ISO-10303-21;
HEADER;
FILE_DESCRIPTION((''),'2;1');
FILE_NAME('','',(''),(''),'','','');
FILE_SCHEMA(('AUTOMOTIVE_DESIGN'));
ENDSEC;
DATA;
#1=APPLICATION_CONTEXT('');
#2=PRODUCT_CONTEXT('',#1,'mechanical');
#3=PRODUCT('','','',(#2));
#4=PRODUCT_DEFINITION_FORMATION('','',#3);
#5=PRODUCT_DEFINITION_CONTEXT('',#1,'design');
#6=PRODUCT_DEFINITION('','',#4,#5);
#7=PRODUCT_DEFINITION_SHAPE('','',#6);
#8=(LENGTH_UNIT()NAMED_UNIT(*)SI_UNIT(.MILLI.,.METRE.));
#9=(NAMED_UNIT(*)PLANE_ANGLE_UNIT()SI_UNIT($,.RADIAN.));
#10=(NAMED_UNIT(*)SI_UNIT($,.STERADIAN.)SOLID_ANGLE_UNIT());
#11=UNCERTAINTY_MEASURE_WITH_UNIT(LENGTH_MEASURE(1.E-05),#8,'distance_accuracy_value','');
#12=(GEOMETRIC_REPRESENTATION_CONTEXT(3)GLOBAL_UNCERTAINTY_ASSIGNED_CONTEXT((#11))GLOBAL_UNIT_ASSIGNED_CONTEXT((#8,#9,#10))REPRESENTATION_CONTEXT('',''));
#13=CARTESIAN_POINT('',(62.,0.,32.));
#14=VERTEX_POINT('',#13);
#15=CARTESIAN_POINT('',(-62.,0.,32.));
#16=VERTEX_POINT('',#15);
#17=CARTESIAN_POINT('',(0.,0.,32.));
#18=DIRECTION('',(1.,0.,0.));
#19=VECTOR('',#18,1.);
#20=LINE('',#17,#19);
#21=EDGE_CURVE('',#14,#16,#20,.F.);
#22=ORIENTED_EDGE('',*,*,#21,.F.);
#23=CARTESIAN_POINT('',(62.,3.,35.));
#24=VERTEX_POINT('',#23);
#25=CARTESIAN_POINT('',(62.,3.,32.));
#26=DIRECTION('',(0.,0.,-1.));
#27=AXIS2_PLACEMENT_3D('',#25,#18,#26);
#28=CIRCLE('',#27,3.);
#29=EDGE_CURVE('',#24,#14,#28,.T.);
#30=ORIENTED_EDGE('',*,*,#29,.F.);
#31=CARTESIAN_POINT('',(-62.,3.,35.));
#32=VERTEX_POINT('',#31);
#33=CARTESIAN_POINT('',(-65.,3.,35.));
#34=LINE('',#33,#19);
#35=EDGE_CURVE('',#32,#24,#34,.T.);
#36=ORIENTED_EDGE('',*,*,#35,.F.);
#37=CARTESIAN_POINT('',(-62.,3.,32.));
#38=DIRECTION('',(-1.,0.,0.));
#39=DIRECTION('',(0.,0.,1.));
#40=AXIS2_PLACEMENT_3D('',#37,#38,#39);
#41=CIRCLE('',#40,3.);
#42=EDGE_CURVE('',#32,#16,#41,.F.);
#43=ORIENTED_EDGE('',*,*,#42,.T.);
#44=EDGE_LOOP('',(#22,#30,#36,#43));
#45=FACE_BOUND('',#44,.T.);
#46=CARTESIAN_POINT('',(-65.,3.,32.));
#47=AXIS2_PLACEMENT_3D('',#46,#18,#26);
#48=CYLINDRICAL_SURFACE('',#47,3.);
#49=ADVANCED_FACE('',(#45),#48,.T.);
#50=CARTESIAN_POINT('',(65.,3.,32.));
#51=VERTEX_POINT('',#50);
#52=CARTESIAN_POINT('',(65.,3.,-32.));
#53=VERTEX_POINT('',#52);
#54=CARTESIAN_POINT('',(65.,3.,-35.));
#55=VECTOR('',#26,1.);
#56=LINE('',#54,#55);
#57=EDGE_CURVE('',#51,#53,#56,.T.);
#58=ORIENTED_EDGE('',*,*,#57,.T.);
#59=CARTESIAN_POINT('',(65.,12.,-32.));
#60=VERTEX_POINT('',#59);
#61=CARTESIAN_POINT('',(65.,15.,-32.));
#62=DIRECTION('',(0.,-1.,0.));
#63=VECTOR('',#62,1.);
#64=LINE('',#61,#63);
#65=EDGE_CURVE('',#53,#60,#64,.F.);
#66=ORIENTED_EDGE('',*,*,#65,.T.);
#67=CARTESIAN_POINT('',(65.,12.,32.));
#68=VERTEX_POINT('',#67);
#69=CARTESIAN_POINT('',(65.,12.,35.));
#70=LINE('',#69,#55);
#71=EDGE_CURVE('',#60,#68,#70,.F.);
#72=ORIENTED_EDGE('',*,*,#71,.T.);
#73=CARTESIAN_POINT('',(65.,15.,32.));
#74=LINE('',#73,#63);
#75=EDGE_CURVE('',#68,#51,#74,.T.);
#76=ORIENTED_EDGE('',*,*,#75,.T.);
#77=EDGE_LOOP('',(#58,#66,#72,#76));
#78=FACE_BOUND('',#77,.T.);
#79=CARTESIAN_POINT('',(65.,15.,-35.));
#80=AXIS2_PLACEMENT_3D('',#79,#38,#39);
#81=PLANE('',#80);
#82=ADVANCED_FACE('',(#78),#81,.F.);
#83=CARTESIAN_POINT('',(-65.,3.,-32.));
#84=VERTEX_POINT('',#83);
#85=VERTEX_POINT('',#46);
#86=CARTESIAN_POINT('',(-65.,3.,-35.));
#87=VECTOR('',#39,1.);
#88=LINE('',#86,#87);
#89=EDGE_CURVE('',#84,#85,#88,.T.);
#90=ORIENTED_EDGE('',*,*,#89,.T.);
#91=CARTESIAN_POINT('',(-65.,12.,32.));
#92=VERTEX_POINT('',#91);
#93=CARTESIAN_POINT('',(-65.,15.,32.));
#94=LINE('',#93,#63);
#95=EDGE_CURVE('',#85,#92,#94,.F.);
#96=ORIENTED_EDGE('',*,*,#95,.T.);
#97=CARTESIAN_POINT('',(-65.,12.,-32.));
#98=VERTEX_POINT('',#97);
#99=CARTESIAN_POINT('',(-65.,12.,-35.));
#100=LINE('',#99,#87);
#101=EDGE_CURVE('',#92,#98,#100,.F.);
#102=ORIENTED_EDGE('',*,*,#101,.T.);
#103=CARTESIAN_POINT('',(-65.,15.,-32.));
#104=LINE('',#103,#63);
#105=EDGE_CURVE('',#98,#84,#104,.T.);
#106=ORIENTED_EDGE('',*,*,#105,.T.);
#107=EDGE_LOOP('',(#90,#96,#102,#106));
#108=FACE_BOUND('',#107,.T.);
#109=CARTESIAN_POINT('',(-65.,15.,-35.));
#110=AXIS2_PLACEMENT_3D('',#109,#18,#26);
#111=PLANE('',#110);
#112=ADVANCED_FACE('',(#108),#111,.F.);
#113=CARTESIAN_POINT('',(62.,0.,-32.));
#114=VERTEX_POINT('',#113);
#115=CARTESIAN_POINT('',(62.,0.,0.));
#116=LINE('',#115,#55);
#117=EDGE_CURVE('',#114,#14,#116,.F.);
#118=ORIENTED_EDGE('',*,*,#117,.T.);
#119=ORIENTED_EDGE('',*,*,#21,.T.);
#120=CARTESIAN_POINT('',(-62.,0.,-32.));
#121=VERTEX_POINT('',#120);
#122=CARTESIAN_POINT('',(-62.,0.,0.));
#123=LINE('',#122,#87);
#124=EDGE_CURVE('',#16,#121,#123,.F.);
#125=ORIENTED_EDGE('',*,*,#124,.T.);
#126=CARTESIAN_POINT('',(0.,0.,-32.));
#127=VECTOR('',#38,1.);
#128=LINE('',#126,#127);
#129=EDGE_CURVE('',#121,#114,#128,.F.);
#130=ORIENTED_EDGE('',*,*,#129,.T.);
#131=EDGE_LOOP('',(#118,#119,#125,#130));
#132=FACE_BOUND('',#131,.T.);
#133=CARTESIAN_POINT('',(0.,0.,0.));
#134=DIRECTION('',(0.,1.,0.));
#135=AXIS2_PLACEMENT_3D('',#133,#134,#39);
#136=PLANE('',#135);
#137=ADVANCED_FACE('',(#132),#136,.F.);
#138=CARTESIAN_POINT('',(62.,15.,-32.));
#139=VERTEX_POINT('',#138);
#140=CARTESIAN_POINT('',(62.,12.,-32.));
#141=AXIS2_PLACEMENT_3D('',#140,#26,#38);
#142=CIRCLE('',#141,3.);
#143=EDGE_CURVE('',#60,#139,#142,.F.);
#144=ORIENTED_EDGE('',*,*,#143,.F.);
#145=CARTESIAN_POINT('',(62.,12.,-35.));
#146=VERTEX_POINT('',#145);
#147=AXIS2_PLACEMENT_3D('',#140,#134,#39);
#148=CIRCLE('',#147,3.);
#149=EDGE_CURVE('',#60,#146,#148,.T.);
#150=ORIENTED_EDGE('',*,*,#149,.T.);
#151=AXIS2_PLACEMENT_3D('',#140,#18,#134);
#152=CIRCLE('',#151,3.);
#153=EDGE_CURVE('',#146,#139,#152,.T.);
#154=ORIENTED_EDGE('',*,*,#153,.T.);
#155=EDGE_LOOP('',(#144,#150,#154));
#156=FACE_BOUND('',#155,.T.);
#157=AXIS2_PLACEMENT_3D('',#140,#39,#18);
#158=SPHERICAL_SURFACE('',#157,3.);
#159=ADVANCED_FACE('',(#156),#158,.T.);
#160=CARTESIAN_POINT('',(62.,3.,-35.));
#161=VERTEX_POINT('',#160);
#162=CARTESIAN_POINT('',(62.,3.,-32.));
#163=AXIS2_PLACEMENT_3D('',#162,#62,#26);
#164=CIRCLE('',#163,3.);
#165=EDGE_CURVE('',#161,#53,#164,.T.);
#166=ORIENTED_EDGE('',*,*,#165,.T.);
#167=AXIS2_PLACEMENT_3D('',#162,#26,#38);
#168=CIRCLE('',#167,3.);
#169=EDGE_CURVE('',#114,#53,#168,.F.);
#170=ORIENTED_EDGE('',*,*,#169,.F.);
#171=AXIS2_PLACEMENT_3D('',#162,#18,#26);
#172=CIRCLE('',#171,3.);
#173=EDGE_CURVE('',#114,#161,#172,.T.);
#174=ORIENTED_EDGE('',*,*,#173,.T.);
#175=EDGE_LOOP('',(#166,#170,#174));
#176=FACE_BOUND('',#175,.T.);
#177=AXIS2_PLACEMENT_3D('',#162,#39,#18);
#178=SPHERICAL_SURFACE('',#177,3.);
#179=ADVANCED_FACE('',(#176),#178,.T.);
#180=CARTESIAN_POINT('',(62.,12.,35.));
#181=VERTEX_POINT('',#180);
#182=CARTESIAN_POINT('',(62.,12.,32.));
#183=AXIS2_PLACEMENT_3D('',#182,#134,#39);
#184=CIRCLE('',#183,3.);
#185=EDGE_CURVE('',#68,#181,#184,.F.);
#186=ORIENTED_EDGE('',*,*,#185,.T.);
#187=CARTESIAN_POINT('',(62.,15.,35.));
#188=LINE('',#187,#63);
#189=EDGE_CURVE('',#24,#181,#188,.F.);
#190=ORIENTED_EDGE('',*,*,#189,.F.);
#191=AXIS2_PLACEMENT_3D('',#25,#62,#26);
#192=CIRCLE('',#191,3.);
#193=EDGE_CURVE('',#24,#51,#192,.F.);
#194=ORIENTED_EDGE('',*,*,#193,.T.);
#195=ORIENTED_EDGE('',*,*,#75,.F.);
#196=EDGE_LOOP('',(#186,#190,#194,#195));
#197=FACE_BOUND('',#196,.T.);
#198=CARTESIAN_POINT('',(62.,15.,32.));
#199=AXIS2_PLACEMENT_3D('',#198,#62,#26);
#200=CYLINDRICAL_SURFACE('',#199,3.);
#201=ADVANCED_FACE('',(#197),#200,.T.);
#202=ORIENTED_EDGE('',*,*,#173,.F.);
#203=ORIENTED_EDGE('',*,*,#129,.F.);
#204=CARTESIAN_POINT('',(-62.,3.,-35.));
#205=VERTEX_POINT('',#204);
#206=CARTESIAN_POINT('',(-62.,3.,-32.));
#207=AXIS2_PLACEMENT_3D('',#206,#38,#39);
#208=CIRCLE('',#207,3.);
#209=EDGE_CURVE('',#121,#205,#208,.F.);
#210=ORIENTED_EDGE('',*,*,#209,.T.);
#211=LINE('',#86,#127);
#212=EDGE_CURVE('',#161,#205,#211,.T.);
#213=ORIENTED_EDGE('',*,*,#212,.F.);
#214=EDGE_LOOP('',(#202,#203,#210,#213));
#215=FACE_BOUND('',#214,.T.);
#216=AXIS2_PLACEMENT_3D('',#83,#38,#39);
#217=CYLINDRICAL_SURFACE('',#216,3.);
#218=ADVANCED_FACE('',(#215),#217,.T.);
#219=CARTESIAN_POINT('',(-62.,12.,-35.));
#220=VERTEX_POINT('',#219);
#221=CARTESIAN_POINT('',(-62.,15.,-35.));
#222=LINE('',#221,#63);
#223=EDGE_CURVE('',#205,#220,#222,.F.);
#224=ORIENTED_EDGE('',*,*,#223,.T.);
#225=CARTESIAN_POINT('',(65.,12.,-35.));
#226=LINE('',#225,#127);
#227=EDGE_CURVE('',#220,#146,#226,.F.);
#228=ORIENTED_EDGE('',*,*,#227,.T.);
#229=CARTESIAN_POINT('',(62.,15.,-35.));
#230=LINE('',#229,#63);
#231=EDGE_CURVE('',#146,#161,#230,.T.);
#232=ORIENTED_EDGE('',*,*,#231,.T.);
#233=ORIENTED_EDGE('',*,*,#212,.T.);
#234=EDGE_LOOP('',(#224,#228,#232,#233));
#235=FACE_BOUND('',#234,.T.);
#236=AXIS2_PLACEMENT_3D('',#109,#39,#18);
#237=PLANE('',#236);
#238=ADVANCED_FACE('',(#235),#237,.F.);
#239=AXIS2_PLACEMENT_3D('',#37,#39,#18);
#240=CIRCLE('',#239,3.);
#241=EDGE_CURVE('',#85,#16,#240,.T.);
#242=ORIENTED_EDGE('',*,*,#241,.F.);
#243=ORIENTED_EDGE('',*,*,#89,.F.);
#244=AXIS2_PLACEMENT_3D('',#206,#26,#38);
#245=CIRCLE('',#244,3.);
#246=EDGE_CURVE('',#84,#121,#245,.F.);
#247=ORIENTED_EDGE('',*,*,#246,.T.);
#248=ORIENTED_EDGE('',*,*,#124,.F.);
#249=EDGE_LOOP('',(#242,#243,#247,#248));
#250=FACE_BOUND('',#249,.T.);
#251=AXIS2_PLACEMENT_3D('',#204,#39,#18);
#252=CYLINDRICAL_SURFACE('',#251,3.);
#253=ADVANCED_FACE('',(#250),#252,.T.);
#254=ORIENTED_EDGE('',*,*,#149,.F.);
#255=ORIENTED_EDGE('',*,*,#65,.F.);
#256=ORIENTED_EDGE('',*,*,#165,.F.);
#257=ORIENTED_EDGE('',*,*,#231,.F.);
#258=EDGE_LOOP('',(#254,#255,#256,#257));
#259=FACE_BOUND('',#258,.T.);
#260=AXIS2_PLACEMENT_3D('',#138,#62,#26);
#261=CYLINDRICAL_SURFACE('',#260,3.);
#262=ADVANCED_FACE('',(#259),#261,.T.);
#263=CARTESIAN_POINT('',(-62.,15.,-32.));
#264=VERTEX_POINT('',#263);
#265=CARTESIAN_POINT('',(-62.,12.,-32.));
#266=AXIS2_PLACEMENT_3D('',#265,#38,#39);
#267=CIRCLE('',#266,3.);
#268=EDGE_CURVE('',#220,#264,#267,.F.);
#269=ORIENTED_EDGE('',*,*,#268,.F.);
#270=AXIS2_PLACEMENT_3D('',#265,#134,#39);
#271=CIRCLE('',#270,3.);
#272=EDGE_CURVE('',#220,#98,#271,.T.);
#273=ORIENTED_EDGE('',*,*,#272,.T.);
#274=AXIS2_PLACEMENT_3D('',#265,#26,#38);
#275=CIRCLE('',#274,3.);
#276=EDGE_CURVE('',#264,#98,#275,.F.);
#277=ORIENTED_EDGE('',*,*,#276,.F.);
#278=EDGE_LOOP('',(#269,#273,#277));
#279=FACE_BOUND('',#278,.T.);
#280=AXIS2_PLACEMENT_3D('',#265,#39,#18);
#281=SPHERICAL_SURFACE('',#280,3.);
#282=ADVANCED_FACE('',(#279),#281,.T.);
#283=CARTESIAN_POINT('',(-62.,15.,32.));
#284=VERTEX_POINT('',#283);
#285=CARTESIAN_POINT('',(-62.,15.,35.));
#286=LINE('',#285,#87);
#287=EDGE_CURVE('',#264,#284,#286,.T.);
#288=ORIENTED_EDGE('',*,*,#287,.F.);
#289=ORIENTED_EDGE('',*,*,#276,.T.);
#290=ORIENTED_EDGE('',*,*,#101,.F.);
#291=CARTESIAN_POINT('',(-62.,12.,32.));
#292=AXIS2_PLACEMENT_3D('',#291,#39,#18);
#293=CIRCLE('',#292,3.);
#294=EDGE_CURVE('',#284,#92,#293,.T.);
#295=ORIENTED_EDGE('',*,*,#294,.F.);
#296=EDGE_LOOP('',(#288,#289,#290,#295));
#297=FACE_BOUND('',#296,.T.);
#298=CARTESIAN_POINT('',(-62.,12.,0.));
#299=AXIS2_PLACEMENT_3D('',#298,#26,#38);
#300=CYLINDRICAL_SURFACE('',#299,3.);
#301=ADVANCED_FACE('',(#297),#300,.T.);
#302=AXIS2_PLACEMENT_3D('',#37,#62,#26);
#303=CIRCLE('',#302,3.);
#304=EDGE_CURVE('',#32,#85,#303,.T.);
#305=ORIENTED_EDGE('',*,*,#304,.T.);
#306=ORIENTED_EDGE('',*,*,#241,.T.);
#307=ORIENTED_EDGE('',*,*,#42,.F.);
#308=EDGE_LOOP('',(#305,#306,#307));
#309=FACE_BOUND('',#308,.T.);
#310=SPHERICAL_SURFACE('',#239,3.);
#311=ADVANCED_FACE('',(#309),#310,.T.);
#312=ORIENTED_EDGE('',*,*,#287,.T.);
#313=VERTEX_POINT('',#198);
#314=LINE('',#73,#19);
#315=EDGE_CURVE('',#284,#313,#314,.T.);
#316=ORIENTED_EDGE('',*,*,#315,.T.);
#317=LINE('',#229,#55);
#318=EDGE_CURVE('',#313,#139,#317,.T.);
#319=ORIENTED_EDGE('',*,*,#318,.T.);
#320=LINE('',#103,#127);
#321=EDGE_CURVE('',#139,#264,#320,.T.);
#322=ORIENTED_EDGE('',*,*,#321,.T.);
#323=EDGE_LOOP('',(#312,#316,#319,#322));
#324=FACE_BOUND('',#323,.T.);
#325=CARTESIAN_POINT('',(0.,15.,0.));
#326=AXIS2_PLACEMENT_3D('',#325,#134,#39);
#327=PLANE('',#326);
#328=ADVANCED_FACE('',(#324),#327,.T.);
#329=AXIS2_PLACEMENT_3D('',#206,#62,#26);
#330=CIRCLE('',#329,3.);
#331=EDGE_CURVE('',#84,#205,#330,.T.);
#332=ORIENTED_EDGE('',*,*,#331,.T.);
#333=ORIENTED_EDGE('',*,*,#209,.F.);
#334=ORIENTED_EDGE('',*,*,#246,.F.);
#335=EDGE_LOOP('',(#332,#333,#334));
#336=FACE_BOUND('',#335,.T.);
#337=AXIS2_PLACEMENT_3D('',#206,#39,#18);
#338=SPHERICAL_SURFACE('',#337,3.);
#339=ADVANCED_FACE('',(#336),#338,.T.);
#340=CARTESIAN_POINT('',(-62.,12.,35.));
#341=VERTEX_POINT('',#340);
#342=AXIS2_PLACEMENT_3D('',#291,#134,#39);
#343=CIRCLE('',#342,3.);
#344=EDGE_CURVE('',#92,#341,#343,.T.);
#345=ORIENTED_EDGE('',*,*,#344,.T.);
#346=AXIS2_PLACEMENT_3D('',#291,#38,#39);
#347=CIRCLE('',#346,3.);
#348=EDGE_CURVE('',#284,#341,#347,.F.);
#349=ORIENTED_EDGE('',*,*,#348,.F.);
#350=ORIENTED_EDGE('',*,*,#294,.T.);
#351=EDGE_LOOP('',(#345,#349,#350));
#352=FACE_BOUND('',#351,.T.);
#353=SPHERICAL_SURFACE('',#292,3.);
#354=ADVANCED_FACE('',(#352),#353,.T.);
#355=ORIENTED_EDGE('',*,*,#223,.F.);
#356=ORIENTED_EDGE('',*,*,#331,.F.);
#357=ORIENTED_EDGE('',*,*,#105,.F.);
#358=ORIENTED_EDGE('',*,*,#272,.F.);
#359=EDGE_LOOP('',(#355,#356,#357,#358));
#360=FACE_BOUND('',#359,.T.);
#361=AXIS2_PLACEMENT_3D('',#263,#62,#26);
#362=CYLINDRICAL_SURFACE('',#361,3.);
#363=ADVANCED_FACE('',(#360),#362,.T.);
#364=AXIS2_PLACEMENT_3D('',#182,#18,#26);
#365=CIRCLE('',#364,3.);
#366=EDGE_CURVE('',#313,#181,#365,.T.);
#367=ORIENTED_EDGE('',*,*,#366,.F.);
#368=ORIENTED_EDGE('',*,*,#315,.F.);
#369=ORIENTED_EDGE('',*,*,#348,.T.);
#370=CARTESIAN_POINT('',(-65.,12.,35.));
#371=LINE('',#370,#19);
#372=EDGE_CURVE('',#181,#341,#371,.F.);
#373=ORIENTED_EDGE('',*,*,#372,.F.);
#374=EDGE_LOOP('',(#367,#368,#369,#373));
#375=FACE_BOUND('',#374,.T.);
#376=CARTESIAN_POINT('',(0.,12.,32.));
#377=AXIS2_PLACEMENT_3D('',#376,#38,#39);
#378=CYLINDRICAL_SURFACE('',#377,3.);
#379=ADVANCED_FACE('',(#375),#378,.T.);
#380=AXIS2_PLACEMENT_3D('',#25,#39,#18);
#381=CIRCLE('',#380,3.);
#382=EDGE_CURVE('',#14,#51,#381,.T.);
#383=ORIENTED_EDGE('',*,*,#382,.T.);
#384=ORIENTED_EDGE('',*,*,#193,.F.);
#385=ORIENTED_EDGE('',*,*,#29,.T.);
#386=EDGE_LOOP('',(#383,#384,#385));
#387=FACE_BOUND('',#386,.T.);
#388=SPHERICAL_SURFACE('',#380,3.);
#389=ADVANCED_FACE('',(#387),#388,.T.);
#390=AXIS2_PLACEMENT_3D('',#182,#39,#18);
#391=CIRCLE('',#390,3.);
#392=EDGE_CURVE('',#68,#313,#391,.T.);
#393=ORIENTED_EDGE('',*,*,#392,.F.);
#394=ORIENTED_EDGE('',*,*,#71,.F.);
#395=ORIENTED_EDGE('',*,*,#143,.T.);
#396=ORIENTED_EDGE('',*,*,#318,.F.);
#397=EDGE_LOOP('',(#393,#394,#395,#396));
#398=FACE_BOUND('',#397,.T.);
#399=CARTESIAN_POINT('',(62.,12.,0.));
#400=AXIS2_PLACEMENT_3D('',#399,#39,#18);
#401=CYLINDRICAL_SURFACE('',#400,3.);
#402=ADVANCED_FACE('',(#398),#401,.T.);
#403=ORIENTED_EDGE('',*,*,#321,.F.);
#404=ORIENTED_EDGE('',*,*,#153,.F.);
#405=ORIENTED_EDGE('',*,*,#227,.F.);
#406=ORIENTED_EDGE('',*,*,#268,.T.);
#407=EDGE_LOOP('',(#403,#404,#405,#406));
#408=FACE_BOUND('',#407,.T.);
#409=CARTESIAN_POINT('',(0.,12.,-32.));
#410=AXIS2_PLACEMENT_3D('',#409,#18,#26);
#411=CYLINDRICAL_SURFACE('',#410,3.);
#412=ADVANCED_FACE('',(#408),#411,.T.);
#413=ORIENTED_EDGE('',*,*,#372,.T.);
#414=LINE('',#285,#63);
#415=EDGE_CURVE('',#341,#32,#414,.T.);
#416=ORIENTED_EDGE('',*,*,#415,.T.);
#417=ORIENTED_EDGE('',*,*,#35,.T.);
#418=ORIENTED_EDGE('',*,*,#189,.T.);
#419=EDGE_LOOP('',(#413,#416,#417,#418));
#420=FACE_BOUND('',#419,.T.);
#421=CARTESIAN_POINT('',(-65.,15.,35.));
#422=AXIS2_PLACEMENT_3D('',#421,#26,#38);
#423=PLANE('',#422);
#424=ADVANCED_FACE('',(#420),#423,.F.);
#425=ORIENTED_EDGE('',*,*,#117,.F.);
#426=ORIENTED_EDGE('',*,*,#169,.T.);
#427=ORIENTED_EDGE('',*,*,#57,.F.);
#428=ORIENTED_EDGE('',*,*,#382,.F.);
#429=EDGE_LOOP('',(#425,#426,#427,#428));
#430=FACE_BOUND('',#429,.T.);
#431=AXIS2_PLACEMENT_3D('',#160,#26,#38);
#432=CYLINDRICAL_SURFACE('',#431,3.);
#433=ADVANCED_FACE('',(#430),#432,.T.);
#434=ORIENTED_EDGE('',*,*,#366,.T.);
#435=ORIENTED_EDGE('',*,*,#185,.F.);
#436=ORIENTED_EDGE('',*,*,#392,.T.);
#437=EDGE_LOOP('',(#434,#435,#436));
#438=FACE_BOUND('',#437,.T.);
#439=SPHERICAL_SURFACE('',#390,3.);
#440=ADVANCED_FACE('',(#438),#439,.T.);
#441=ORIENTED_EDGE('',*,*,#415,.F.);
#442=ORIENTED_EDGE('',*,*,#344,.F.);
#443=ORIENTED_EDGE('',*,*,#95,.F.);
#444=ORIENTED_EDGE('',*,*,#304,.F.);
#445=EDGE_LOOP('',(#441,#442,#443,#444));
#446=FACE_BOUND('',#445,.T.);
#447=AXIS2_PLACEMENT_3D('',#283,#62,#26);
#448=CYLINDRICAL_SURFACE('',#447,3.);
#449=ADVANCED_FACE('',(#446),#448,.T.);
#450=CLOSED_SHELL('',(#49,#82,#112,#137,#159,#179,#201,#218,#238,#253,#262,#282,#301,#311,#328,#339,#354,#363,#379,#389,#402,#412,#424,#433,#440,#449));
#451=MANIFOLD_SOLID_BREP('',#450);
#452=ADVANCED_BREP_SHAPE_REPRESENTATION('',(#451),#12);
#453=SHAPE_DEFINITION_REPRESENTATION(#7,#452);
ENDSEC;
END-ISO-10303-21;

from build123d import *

# Parameters (mm, degrees)
SKETCH1_W           = 130
SKETCH1_H           = 70
BOSS_EXTRUDE1_DEPTH = 15
FILLET1_R           = 3


with BuildPart() as part:
    # Sketch1 → Boss-Extrude1 (new body)
    with BuildSketch(Plane(origin=(0, 0, 0), x_dir=(1, 0, 0), z_dir=(0, 1, 0))):
        Rectangle(SKETCH1_W, SKETCH1_H)
    extrude(amount=BOSS_EXTRUDE1_DEPTH)

    # Fillet1
    fillet1_edges = [part.edges().sort_by_distance(p)[0] for p in [
        (-65, 15, 0),
        (0, 15, 35),
        (65, 15, 0),
        (0, 0, 35),
        (-65, 0, 0),
        (0, 0, -35),
        (65, 0, 0),
        (0, 15, -35),
        (65, 7.5, 35),
        (-65, 7.5, 35),
        (-65, 7.5, -35),
        (65, 7.5, -35),
    ]]
    fillet(fillet1_edges, radius=FILLET1_R)


solid = part.part
